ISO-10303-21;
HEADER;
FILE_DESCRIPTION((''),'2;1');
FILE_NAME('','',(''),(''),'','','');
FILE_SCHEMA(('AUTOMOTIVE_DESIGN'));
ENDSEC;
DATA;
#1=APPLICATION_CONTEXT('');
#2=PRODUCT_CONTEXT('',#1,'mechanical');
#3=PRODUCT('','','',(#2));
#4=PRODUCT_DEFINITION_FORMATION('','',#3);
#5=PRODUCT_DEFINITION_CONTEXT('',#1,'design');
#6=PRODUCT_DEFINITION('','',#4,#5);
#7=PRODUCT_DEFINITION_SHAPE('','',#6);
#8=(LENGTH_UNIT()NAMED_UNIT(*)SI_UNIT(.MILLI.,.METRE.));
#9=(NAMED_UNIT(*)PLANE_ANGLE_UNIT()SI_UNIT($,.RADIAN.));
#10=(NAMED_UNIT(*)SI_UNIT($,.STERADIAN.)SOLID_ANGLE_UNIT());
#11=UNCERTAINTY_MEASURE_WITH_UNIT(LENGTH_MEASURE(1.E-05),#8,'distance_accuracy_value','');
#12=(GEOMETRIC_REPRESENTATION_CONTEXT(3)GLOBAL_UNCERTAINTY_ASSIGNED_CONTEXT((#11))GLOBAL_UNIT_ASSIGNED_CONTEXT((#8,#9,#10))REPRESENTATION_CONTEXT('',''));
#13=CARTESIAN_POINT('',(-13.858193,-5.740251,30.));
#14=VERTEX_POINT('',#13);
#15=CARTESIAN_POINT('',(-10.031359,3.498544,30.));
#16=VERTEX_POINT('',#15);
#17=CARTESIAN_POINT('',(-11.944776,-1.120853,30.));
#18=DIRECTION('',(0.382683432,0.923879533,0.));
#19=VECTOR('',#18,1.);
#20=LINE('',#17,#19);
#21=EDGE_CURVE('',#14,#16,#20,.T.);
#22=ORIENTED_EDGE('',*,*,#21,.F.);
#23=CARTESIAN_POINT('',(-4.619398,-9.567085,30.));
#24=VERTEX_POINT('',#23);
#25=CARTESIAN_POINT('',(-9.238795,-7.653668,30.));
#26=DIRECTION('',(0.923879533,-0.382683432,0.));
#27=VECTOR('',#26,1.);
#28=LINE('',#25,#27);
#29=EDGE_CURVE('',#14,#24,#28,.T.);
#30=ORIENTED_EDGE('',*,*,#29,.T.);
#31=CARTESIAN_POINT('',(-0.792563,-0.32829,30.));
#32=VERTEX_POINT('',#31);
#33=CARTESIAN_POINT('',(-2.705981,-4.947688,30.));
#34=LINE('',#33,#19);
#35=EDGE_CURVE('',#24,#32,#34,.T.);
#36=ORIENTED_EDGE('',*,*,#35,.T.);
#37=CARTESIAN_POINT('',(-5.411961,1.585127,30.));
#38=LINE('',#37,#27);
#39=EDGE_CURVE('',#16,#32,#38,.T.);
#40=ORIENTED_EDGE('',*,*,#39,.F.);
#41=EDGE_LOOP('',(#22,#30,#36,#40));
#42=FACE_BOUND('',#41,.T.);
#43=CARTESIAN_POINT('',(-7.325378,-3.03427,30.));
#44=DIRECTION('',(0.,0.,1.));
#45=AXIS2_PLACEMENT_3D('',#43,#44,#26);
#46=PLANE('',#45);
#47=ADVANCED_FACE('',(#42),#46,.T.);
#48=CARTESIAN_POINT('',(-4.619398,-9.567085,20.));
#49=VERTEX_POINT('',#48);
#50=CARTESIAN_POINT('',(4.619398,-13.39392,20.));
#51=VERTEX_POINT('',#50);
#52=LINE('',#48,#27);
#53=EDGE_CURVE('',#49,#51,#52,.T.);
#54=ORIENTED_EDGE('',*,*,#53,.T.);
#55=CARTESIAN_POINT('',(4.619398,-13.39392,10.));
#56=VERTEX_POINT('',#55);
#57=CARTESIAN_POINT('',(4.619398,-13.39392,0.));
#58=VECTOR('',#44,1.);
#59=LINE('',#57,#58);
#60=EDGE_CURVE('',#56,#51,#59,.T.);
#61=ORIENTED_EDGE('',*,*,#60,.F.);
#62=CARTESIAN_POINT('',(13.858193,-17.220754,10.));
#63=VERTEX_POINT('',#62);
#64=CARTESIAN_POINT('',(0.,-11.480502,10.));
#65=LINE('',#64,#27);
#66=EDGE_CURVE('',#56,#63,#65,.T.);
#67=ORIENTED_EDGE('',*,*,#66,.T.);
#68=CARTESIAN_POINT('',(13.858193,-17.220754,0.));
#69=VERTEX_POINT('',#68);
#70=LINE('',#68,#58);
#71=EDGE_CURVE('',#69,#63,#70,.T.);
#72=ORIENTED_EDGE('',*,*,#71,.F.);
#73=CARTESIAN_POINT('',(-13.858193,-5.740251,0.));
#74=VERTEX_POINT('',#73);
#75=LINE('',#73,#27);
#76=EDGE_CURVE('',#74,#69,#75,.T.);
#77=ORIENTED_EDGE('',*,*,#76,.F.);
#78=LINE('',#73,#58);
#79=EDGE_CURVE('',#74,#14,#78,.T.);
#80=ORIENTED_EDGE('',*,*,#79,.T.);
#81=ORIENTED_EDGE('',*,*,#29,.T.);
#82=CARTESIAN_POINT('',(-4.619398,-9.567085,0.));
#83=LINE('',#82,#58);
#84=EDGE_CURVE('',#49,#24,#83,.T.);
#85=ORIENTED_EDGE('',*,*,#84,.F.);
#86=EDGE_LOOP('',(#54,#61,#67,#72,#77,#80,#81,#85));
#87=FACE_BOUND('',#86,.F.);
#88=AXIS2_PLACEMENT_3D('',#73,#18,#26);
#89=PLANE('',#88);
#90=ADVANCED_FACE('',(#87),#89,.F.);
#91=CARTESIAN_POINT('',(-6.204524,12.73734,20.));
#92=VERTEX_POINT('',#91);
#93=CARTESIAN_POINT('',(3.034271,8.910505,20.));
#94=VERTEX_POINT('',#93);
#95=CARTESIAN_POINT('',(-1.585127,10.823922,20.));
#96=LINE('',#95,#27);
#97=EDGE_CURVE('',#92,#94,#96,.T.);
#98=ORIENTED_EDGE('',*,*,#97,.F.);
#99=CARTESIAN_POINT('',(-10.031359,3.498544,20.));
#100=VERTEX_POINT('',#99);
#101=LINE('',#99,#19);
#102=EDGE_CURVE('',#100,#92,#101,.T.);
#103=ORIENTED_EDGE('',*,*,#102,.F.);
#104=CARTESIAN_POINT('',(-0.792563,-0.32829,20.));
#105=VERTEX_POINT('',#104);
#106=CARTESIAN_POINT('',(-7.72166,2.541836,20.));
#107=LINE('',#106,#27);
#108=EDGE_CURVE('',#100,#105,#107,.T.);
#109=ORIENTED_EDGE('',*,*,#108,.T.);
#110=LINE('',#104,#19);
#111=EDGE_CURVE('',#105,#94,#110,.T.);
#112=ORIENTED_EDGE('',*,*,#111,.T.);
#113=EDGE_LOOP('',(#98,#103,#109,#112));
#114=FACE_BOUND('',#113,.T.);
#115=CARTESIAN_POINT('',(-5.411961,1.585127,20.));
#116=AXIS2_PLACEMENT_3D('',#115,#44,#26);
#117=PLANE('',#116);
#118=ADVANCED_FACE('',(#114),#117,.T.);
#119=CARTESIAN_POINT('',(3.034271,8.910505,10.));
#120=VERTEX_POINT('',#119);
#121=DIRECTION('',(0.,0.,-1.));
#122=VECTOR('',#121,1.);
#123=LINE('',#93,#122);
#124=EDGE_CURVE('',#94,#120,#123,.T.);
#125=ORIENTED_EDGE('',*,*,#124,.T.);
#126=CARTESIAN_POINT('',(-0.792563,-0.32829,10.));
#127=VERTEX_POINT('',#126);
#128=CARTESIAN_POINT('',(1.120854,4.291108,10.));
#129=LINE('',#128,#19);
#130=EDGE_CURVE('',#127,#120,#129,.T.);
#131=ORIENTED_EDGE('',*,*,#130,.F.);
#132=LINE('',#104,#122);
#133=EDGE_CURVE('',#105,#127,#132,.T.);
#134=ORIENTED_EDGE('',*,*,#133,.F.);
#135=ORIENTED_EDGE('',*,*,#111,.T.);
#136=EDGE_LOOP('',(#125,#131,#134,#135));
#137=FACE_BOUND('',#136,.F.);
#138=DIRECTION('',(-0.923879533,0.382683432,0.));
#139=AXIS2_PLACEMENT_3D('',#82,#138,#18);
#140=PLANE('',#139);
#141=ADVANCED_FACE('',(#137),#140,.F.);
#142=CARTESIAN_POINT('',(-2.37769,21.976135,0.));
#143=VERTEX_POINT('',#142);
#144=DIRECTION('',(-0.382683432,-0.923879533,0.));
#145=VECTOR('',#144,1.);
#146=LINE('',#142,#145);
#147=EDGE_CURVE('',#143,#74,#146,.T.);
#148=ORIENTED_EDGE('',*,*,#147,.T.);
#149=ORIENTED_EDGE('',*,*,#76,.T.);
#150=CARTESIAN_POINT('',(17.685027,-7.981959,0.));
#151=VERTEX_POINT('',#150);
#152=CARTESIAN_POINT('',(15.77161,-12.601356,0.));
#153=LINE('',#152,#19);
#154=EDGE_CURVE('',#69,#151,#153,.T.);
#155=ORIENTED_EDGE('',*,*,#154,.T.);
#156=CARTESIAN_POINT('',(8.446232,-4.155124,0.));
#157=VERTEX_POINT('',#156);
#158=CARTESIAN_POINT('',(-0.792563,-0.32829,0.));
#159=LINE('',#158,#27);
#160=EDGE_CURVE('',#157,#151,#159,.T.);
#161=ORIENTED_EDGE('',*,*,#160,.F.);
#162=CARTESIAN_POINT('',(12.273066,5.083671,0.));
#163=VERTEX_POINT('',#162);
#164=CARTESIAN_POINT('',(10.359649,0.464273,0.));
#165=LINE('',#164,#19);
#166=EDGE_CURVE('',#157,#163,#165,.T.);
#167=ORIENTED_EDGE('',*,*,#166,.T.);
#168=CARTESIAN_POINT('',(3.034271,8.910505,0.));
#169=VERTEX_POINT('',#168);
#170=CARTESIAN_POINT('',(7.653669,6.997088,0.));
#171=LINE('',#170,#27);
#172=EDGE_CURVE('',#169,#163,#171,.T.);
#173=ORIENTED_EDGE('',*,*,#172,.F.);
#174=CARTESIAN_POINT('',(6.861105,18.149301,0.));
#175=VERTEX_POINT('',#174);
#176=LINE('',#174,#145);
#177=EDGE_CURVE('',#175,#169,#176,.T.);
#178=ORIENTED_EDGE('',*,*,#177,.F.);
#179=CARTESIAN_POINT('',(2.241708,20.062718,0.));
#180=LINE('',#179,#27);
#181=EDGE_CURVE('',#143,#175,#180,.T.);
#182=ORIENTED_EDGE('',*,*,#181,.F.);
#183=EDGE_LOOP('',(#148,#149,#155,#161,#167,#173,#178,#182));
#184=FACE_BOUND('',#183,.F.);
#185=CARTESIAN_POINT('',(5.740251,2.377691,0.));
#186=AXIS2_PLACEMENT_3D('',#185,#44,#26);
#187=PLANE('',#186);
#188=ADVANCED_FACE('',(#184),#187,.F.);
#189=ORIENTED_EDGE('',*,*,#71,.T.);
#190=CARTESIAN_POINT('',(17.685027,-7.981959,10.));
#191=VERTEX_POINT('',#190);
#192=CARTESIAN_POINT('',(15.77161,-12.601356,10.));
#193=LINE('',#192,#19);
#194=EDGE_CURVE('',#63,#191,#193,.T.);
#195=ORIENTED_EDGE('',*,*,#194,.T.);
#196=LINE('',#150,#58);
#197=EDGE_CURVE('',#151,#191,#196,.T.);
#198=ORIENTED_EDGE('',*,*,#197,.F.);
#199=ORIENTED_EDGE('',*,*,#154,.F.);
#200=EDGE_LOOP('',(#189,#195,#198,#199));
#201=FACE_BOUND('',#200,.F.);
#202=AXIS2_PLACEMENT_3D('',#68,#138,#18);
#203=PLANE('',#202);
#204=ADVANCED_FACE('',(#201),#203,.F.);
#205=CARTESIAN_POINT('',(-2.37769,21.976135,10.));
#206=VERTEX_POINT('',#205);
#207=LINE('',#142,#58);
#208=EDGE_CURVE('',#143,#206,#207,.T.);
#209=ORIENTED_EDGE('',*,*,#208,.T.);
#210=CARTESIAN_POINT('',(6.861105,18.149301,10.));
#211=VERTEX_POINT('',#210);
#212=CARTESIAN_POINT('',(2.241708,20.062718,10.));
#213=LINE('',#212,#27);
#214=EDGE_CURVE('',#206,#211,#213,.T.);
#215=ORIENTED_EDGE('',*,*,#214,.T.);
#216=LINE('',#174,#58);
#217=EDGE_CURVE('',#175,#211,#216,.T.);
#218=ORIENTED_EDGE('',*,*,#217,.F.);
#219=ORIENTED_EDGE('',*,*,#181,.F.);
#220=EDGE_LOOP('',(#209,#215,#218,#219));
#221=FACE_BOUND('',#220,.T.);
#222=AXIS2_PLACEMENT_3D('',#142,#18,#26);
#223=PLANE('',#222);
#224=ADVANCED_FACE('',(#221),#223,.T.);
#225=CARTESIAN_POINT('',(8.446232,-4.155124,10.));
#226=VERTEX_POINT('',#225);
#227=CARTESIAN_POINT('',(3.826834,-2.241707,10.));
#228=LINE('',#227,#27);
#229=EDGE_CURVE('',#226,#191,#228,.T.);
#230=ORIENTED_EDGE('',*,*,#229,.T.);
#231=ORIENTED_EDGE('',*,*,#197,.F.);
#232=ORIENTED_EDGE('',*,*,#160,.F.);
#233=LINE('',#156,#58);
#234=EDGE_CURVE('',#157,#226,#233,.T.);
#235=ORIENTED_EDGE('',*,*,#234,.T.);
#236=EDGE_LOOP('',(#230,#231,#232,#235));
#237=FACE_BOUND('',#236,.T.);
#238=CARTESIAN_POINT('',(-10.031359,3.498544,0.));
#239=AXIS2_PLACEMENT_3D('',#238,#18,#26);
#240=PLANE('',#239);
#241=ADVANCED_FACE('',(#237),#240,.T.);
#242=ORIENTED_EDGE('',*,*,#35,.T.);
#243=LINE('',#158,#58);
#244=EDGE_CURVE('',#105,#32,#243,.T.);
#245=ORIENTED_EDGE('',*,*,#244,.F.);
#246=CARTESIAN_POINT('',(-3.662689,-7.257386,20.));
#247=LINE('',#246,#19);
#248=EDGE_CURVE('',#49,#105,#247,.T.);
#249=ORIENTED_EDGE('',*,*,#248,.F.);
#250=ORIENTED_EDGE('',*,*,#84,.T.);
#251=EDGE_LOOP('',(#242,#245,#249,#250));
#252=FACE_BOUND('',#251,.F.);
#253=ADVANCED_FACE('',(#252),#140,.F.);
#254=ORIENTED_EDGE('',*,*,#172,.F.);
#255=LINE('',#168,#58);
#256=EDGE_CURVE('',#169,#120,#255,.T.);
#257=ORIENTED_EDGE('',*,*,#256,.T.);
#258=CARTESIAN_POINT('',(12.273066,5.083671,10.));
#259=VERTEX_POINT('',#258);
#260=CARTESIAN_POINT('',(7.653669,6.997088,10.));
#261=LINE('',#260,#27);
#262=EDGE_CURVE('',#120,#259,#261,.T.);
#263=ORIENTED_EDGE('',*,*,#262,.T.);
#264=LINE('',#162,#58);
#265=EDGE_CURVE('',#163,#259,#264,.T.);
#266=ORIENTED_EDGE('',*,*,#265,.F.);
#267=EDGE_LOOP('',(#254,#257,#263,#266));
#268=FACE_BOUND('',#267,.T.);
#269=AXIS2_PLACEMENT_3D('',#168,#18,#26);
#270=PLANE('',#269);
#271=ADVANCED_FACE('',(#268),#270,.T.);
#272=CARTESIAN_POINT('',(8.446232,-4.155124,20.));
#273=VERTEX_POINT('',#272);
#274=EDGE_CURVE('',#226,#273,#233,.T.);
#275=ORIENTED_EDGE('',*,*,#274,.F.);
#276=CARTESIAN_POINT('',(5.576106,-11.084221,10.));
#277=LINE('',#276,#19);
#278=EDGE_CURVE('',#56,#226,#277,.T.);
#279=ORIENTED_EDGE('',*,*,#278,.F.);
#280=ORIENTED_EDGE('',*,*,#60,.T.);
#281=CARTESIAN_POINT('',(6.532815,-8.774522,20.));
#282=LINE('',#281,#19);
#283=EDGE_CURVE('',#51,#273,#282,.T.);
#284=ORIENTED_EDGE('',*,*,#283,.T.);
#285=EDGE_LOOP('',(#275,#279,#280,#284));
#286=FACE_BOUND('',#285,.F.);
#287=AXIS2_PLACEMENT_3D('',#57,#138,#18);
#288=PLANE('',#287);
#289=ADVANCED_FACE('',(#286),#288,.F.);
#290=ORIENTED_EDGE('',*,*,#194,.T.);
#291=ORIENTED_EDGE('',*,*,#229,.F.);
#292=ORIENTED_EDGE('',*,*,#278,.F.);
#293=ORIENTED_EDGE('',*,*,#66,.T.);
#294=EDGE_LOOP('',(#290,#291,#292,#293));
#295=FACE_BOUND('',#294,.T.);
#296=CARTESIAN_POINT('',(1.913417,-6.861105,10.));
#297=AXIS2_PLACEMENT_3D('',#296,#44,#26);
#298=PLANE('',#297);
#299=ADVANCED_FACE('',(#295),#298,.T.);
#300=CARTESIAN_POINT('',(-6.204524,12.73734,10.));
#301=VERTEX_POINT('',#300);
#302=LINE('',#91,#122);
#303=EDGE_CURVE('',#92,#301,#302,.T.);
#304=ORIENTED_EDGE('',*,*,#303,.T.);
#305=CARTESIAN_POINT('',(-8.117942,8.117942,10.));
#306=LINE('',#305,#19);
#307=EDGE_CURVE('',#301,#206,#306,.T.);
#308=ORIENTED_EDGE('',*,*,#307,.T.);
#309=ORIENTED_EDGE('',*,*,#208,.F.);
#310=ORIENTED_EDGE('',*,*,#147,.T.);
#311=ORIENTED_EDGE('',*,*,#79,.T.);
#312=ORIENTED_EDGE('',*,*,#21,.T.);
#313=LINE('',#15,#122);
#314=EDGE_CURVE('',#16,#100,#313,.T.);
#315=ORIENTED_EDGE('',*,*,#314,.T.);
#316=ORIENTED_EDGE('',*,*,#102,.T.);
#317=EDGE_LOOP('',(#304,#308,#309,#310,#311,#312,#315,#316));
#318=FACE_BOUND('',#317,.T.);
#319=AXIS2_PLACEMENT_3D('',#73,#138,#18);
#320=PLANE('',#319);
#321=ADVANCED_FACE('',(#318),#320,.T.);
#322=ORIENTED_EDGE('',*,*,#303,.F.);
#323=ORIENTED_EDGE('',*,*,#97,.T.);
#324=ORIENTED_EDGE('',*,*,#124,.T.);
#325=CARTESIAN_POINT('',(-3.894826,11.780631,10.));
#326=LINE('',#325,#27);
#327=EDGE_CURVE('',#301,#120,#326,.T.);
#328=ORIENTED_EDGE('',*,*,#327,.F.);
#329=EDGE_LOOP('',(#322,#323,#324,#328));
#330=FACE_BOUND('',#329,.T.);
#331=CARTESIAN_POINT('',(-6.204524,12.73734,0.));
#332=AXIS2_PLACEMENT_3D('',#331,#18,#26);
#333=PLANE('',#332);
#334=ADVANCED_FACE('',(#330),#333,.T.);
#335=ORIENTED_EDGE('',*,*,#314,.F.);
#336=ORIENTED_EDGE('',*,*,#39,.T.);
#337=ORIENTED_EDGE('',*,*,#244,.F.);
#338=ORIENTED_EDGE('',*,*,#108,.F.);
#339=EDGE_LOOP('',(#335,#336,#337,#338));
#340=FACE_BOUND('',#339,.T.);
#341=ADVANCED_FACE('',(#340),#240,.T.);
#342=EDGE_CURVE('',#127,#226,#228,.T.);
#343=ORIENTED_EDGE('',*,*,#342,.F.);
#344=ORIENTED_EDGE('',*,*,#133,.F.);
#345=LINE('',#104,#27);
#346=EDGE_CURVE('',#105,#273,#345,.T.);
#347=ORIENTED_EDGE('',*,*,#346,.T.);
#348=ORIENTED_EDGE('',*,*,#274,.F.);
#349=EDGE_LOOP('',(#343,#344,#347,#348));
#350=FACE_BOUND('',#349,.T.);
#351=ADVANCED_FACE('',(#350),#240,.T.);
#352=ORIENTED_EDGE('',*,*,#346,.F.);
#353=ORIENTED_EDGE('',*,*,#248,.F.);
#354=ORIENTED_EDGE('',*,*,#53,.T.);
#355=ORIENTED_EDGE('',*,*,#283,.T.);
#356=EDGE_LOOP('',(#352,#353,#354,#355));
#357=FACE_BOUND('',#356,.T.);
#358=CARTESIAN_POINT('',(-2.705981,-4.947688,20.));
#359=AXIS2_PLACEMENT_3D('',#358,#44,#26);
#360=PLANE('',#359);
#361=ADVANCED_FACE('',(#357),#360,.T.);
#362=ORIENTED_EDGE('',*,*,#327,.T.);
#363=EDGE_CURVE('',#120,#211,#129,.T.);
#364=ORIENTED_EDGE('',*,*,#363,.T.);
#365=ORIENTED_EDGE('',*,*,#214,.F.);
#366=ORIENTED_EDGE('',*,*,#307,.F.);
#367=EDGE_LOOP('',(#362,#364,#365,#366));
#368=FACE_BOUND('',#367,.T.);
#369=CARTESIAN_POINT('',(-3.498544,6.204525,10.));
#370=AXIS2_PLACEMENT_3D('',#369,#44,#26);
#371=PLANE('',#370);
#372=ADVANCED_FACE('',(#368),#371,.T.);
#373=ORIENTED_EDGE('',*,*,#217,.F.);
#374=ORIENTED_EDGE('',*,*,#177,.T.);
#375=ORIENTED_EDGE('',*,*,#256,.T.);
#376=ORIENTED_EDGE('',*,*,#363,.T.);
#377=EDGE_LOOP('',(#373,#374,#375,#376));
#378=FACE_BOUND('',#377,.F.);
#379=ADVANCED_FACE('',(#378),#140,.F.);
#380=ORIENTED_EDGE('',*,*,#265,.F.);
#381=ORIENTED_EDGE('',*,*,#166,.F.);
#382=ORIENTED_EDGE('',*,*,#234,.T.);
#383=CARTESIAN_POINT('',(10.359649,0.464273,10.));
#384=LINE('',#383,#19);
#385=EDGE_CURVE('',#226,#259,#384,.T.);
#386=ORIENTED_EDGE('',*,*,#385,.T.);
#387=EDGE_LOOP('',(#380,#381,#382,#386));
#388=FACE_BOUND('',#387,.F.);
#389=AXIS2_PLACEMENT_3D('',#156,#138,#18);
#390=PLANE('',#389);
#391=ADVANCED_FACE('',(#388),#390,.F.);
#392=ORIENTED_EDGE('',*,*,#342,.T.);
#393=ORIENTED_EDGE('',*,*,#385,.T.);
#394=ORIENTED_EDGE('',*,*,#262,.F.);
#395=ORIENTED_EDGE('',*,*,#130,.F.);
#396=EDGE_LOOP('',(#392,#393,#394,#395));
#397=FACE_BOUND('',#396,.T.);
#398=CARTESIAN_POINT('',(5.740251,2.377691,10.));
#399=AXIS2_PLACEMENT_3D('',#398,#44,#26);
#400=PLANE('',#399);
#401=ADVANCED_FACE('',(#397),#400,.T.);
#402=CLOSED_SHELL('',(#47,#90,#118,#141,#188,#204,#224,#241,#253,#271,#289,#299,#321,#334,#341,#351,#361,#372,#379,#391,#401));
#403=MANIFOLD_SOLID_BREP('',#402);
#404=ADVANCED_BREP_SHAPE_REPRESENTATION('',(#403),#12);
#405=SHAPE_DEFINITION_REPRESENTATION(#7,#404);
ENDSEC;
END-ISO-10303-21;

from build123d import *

# Parameters (mm, degrees)
BOX001_W                  = 20
BOX001_H                  = 10
BOX001_DEPTH              = 20
BOX002_W                  = 10
BOX002_H                  = 20
BOX002_DEPTH              = 10
BOX003_W                  = 10
BOX003_H                  = 10
BOX003_DEPTH              = 10
BOX004_W                  = 30
BOX004_H                  = 10
BOX004_DEPTH              = 10
BOX005_W                  = 10
BOX005_H                  = 20
BOX005_DEPTH              = 20
BOX006_W                  = 10
BOX006_H                  = 30
BOX006_DEPTH              = 10
BOX007_W                  = 10
BOX007_H                  = 10
BOX007_DEPTH              = 10
BOX_W                     = 10
BOX_H                     = 10
BOX_DEPTH                 = 30
FUSION001_PLACEMENT_ANGLE = 337.5


with BuildPart() as cub001:
    # Box001 → Box001 (new body)
    with BuildSketch(Plane.XY):
        with Locations((10, 5)):
            Rectangle(BOX001_W, BOX001_H)
    extrude(amount=BOX001_DEPTH)


with BuildPart() as cub002:
    # Box002 → Box002 (new body)
    with BuildSketch(Plane.XY):
        with Locations((5, 10)):
            Rectangle(BOX002_W, BOX002_H)
    extrude(amount=BOX002_DEPTH)


with BuildPart() as cub003:
    # Box003 → Box003 (new body)
    with BuildSketch(Plane.XY):
        with Locations((5, 5)):
            Rectangle(BOX003_W, BOX003_H)
    extrude(amount=BOX003_DEPTH)


with BuildPart() as cub004:
    # Box004 → Box004 (new body)
    with BuildSketch(Plane.XY):
        with Locations((15, 5)):
            Rectangle(BOX004_W, BOX004_H)
    extrude(amount=BOX004_DEPTH)


with BuildPart() as cub005:
    # Box005 → Box005 (new body)
    with BuildSketch(Plane.XY):
        with Locations((5, 10)):
            Rectangle(BOX005_W, BOX005_H)
    extrude(amount=BOX005_DEPTH)


with BuildPart() as cub006:
    # Box006 → Box006 (new body)
    with BuildSketch(Plane.XY):
        with Locations((5, 15)):
            Rectangle(BOX006_W, BOX006_H)
    extrude(amount=BOX006_DEPTH)


with BuildPart() as cub007:
    # Box007 → Box007 (new body)
    with BuildSketch(Plane(origin=(10, 10, 0), x_dir=(1, 0, 0), z_dir=(0, 0, 1))):
        with Locations((5, 5)):
            Rectangle(BOX007_W, BOX007_H)
    extrude(amount=BOX007_DEPTH)


with BuildPart() as fusion001:
    # Box → Box (new body)
    with BuildSketch(Plane.XY):
        with Locations((5, 5)):
            Rectangle(BOX_W, BOX_H)
    extrude(amount=BOX_DEPTH)

    # Fusion: union Cub001, Cub002, Cub003, Cub004, Cub005, Cub006, Cub007
    add(cub001.part)
    add(cub002.part)
    add(cub003.part)
    add(cub004.part)
    add(cub005.part)
    add(cub006.part)
    add(cub007.part)


with BuildPart() as fusion001_1:
    # Fusion001 placement: moved
    add(fusion001.part.moved(Location((-13.858193, -5.740251, 0))).rotate(Axis((-13.858193, -5.740251, 0), (0, 0, 1)), FUSION001_PLACEMENT_ANGLE))


solid = fusion001_1.part
